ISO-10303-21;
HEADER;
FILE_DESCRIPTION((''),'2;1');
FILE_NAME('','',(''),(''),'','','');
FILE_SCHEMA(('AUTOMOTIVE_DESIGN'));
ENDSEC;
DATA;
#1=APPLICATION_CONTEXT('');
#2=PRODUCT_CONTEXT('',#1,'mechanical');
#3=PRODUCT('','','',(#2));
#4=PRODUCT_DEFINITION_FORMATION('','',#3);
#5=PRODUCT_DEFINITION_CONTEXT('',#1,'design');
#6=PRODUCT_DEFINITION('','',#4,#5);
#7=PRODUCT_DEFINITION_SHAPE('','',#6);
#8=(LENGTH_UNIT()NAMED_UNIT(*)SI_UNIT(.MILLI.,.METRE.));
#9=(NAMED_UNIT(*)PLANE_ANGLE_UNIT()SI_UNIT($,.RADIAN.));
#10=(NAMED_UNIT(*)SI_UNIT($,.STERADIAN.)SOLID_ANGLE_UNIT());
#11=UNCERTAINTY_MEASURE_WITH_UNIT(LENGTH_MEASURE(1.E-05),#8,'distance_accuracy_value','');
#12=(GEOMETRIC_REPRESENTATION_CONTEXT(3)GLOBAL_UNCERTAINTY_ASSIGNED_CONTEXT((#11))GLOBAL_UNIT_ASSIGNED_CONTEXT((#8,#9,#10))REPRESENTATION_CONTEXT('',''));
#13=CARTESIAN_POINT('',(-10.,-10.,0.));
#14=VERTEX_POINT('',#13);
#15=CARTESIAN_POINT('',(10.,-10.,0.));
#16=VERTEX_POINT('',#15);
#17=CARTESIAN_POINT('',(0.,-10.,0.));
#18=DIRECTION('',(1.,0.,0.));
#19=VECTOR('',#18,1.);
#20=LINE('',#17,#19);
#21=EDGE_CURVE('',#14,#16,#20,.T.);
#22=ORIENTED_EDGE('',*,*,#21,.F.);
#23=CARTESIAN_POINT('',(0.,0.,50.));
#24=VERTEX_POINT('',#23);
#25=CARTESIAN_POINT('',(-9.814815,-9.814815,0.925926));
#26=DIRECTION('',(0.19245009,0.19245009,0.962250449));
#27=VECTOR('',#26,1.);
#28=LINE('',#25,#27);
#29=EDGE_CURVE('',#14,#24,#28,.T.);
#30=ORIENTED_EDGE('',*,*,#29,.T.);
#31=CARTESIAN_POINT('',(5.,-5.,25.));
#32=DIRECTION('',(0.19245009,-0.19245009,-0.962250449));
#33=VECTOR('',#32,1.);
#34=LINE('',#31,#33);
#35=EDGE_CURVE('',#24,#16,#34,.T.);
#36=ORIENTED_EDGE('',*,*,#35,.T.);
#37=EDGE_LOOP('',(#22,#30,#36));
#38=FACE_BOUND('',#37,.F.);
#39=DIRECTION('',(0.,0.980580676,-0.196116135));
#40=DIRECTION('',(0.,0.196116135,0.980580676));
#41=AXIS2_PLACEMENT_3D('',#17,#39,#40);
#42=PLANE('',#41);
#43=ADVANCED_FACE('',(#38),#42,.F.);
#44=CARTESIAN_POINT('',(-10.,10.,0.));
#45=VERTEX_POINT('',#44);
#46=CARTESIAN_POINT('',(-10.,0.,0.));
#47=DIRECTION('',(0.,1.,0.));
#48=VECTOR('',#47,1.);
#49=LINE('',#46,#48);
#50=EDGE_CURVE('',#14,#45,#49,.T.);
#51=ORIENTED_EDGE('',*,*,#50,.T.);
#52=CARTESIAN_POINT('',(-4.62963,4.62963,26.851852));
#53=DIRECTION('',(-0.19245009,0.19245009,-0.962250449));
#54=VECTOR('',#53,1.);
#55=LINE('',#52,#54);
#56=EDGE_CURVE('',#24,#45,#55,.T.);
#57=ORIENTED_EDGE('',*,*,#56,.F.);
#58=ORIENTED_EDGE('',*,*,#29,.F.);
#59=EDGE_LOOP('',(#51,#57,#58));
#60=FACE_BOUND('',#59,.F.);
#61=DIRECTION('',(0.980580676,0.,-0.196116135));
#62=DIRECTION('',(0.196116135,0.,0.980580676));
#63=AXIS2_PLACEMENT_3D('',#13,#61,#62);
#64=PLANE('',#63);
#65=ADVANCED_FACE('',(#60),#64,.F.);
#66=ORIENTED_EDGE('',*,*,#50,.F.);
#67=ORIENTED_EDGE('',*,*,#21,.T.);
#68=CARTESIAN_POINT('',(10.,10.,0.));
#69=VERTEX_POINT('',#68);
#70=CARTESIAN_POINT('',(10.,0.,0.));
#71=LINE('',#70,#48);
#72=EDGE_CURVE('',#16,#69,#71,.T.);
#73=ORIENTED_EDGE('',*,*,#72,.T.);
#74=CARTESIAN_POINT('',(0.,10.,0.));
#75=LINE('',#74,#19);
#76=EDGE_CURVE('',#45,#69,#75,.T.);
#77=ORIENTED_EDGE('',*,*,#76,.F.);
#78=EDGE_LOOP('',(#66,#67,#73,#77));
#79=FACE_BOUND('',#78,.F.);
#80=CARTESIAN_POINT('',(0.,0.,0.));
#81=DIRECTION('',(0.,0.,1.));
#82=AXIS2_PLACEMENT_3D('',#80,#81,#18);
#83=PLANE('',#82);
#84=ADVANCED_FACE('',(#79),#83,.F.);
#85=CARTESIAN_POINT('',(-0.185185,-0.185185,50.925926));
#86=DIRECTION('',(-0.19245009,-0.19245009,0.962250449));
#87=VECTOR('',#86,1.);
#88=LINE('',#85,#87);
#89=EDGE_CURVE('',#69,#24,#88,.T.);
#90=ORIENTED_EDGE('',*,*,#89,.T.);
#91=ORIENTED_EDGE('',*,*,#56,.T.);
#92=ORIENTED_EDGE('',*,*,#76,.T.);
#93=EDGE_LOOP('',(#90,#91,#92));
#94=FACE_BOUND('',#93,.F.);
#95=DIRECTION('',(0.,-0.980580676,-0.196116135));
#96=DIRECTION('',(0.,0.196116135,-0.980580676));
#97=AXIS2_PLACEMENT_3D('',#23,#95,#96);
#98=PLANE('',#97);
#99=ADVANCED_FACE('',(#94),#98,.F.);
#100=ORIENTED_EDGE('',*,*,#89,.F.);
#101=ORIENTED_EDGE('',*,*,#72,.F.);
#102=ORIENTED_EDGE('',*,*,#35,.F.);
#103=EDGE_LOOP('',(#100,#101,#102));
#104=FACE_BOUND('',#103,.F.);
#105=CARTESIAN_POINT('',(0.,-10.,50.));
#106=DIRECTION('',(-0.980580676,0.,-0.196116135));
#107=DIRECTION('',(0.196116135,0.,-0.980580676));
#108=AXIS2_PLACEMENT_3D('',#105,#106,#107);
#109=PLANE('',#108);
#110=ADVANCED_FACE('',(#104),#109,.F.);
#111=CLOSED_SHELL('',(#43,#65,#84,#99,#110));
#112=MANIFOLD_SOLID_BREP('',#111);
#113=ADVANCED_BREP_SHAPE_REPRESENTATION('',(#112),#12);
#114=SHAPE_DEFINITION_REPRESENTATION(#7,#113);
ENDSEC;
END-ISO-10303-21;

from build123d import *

# Parameters (mm, degrees)
F0_W     = 20
F0_H     = 20
F1_DEPTH = 50
F3_DEPTH = 25
F5_DEPTH = 12.5


with BuildPart() as f1:
    # F0 (on Top) → F1 (new body)
    with BuildSketch(Plane.XY):
        Rectangle(F0_W, F0_H)
    extrude(amount=F1_DEPTH)

    # F2 (on face) → F3 (cut)
    with BuildSketch(Plane.XZ.offset(10)):
        Polygon((-10, 50), (-10, 0), (0, 50), align=None)
        Polygon((0, 50), (10, 0), (10, 50), align=None)
    extrude(amount=-F3_DEPTH, mode=Mode.SUBTRACT)

    # F4 (on Right) → F5 (cut, symmetric)
    with BuildSketch(Plane.YZ):
        Polygon((0, 50), (10, 0), (10, 50), align=None)
        Polygon((-10, 50), (-10, 0), (0, 50), align=None)
    extrude(amount=F5_DEPTH, both=True, mode=Mode.SUBTRACT)


solid = f1.part
